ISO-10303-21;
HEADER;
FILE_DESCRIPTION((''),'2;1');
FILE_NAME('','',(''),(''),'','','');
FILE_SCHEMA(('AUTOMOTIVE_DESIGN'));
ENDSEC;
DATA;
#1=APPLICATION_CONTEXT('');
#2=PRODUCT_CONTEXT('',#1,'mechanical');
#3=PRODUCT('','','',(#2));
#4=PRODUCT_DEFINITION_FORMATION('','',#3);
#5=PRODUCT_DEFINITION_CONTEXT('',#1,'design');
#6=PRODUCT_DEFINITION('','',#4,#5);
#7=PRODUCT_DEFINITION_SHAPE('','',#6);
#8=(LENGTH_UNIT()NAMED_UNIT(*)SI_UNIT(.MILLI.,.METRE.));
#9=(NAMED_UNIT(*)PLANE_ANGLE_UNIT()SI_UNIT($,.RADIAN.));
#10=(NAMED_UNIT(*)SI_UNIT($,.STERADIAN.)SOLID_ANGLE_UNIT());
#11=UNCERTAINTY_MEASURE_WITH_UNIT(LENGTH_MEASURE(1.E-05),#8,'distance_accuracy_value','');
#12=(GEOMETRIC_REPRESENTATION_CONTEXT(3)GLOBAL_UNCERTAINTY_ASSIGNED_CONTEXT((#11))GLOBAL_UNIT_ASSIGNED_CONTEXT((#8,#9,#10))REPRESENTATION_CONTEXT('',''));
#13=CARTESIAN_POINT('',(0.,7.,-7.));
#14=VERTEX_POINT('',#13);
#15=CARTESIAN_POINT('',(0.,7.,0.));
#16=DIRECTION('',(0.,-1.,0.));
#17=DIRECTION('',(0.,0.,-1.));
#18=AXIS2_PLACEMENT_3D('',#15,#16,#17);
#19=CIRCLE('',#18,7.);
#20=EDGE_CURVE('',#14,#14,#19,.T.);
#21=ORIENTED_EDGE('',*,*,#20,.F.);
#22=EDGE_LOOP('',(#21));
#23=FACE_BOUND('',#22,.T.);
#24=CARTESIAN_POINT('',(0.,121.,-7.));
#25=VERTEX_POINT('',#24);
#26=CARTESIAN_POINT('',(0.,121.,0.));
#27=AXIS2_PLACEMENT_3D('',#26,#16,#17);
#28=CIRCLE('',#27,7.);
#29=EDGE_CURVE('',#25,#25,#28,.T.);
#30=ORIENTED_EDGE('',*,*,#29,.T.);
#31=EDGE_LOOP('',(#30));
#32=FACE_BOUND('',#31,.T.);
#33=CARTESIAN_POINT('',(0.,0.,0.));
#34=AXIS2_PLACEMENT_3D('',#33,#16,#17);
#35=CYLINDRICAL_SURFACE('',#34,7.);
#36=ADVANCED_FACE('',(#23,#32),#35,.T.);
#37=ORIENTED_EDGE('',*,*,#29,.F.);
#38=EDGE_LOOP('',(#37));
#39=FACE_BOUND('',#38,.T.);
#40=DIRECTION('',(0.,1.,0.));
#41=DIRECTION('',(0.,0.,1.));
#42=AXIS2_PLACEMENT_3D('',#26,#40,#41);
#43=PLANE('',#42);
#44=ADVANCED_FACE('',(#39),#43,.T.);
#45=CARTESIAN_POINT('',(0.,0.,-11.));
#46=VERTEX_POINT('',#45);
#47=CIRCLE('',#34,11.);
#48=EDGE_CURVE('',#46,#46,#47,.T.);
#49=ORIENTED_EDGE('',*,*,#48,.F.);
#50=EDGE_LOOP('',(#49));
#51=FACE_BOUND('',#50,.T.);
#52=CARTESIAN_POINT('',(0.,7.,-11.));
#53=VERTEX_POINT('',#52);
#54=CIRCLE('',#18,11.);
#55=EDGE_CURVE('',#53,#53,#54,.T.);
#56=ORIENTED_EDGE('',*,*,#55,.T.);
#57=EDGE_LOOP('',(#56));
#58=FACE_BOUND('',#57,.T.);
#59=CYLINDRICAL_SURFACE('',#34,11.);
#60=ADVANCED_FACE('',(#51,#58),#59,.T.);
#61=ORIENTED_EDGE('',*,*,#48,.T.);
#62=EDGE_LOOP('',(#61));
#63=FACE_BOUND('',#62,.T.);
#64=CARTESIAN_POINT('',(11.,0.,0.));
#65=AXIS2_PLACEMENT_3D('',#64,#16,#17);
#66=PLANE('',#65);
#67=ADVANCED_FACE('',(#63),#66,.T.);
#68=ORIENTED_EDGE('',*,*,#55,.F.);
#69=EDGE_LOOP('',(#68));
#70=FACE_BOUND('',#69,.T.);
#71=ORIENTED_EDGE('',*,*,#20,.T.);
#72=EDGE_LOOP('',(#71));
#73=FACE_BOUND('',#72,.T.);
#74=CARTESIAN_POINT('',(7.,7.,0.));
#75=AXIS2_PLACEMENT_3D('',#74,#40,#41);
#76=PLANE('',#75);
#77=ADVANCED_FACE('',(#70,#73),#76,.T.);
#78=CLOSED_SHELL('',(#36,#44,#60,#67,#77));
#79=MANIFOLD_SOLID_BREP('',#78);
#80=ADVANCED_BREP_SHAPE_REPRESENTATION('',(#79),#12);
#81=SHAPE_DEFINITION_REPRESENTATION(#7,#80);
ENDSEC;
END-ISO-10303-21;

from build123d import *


with BuildPart() as part:
    # Esboço1 → Revolução1 (revolve)
    with BuildSketch(Plane.XY, mode=Mode.PRIVATE) as revolu_o1_sk:
        Polygon((0, 121), (7, 121), (7, 7), (11, 7), (11, 0), (0, 0), align=None)
    revolve(revolu_o1_sk.sketch.rotate(Axis((0, 0, 0), (0, 1, 0)), 90), axis=Axis((0, 0, 0), (0, 1, 0)))  # turned: the seam where the file's is


solid = part.part
